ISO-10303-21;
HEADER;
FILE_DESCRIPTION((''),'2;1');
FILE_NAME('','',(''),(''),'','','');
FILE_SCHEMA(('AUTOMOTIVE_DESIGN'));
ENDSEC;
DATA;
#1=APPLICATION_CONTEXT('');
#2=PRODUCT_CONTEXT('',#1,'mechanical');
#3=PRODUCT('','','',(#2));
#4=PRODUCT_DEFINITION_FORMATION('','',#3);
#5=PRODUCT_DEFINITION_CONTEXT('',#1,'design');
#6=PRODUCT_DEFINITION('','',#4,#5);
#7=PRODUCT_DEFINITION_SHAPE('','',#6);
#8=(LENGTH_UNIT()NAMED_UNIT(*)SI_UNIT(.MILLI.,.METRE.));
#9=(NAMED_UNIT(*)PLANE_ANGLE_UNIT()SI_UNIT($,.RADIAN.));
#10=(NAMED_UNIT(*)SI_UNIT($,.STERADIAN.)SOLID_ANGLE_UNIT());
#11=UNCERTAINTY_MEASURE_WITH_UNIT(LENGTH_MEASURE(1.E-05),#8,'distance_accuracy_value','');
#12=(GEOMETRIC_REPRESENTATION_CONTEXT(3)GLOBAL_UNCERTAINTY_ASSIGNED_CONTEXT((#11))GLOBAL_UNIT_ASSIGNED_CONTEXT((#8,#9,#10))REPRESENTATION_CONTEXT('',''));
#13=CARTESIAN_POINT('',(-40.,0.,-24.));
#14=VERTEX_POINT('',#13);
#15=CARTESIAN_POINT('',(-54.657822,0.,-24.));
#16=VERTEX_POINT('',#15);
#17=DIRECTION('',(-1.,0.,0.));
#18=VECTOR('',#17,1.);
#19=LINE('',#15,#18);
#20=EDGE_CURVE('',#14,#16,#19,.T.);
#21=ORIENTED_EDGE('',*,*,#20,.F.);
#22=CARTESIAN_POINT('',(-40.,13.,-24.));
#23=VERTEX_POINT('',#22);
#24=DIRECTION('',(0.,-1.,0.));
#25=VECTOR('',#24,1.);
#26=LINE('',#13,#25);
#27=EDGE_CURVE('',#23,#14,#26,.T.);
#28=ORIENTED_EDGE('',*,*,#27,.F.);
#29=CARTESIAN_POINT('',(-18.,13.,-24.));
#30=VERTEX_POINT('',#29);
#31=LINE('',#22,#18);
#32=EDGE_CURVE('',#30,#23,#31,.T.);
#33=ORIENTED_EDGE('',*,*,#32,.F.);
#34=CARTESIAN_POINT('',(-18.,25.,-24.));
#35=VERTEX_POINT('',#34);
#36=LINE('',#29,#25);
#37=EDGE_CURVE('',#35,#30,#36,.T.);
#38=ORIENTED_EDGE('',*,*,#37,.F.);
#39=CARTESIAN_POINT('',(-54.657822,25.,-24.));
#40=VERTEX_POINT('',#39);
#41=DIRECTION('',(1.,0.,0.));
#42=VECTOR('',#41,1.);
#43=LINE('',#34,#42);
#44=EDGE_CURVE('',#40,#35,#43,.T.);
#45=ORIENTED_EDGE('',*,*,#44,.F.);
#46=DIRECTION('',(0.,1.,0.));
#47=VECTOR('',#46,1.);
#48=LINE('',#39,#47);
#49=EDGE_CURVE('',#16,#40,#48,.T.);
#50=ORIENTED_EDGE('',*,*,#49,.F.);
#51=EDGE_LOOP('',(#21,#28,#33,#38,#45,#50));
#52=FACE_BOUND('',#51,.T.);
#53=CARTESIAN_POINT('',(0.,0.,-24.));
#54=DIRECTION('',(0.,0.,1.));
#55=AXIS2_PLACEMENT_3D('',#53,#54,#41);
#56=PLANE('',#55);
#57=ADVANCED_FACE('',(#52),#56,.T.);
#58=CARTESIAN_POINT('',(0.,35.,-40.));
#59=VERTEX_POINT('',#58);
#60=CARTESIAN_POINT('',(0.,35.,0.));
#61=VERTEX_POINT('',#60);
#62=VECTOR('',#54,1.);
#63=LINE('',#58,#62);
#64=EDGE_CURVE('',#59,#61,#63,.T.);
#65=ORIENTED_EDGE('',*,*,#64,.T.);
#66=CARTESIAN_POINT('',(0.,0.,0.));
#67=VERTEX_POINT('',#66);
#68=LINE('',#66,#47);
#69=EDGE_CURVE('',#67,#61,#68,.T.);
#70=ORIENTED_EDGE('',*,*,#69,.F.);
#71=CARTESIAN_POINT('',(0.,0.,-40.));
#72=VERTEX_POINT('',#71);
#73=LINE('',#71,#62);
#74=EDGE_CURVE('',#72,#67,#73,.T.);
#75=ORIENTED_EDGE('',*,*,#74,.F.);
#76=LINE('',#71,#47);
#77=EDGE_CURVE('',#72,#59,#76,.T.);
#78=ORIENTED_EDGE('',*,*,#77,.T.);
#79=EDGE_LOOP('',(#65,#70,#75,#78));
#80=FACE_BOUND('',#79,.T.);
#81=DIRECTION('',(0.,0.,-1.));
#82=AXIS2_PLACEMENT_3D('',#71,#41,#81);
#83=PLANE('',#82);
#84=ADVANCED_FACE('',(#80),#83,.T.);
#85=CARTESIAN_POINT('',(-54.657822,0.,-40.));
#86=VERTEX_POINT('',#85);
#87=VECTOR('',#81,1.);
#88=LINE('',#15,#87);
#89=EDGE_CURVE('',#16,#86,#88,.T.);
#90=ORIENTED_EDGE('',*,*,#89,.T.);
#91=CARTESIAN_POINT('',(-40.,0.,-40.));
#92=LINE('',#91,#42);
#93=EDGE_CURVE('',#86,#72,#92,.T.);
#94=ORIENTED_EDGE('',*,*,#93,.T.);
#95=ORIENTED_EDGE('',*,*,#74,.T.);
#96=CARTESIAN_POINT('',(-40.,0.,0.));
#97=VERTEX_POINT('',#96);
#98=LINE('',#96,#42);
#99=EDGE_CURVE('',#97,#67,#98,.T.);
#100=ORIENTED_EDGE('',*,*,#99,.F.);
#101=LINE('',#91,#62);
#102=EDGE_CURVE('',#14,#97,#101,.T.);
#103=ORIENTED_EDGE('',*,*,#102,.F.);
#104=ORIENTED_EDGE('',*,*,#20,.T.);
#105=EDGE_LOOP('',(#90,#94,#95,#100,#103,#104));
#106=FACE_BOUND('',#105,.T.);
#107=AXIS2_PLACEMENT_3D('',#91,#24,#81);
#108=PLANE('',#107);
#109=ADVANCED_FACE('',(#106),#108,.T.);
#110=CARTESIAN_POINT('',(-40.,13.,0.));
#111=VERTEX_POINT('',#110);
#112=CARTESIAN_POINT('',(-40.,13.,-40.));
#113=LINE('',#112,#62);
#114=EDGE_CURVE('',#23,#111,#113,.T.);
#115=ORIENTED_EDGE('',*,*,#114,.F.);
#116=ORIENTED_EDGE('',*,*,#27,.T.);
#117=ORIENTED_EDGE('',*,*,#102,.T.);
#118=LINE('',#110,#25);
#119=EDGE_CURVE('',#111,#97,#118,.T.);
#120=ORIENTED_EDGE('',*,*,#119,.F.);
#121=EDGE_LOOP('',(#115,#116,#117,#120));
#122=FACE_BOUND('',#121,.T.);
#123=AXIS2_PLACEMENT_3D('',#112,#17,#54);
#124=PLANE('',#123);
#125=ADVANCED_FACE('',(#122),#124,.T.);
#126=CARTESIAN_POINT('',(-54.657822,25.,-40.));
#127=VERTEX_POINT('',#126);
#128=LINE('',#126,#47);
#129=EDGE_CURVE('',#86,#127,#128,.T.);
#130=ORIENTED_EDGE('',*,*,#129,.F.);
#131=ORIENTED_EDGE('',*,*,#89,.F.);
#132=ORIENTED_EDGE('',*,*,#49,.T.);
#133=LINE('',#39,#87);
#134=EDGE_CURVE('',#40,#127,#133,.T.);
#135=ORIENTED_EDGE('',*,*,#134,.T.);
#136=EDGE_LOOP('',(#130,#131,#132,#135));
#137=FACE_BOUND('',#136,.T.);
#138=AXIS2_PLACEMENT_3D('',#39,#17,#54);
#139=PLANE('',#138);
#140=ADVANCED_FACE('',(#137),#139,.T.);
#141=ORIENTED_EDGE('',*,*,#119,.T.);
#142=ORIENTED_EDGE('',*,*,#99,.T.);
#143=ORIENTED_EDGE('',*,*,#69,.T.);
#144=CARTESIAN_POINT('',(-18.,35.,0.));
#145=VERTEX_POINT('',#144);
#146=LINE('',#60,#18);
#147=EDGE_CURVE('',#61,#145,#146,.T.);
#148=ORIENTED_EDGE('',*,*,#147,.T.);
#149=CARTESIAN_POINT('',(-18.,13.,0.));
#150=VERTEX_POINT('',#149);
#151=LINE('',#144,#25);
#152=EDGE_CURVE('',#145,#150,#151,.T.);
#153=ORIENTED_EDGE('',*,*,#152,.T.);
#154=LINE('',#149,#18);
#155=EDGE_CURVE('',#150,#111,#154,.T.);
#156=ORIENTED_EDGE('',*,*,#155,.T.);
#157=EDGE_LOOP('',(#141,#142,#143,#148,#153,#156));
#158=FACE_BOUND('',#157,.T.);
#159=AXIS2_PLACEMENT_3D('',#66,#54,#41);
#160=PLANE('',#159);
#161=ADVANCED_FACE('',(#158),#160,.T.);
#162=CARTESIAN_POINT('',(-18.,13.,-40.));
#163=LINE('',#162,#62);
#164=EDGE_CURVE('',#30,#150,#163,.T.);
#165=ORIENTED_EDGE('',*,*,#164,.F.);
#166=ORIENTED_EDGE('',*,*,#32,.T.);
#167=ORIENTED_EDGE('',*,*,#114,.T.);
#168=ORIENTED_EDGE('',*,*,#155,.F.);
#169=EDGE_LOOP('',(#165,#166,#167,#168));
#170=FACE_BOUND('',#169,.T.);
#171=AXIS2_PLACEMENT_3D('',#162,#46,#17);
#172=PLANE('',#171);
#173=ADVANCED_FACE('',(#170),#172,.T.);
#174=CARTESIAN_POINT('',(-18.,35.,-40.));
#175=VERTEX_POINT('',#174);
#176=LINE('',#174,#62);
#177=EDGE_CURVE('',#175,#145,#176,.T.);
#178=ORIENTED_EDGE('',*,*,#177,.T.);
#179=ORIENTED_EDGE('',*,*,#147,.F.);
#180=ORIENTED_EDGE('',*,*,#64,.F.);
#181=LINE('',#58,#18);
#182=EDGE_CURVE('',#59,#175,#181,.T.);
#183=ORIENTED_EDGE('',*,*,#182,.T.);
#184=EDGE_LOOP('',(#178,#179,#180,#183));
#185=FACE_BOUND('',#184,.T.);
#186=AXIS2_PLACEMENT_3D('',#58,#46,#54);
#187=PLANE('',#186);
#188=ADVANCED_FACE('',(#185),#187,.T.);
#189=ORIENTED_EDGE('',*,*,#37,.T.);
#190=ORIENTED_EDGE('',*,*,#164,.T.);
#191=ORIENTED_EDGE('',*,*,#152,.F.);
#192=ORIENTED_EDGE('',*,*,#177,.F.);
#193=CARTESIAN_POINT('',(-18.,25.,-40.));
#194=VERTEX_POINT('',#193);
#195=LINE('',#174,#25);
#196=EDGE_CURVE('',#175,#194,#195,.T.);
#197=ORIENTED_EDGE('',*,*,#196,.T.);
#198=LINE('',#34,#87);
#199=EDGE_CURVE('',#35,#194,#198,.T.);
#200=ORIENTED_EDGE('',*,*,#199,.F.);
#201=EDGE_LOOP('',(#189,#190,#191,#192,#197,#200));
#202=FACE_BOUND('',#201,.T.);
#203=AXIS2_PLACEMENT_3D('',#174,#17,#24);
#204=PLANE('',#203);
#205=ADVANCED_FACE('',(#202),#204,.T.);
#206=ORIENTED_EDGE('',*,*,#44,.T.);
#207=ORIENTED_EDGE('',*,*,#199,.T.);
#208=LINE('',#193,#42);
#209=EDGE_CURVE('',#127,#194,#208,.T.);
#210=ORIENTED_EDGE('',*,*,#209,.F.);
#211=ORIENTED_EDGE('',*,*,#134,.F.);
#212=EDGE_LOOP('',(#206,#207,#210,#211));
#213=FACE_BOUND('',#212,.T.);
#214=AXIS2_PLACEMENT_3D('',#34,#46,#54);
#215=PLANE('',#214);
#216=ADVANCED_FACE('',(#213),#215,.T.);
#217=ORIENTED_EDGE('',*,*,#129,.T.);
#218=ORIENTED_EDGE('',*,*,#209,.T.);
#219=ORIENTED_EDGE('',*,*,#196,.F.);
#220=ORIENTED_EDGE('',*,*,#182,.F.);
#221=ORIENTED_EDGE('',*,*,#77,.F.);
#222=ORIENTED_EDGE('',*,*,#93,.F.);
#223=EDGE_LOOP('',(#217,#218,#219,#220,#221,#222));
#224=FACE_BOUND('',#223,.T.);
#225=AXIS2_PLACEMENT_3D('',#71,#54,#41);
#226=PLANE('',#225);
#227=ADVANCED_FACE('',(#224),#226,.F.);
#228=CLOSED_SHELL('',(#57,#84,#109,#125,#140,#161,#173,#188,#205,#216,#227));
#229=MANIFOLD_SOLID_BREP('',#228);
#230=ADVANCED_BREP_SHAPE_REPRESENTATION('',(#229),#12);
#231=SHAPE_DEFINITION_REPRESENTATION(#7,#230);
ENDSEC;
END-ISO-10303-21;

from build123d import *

# Parameters (mm, degrees)
BOSS_EXTRUDE1_DEPTH = 40
BOSS_EXTRUDE2_DEPTH = 16


with BuildPart() as part:
    # Sketch1 → Boss-Extrude1 (new body)
    with BuildSketch(Plane.XY):
        Polygon((0, 0), (0, 35), (-18, 35), (-18, 13), (-40, 13), (-40, 0), align=None)
    extrude(amount=-BOSS_EXTRUDE1_DEPTH)

    # Sketch2 → Boss-Extrude2 (add)
    with BuildSketch(Plane(origin=(0, 0, -40), x_dir=(-1, 0, 0), z_dir=(0, 0, -1))):
        Polygon((18, 13), (18, 25), (54.657821702, 25), (54.657821702, 0), (40, 0), (40, 13), align=None)
    extrude(amount=-BOSS_EXTRUDE2_DEPTH)


solid = part.part
